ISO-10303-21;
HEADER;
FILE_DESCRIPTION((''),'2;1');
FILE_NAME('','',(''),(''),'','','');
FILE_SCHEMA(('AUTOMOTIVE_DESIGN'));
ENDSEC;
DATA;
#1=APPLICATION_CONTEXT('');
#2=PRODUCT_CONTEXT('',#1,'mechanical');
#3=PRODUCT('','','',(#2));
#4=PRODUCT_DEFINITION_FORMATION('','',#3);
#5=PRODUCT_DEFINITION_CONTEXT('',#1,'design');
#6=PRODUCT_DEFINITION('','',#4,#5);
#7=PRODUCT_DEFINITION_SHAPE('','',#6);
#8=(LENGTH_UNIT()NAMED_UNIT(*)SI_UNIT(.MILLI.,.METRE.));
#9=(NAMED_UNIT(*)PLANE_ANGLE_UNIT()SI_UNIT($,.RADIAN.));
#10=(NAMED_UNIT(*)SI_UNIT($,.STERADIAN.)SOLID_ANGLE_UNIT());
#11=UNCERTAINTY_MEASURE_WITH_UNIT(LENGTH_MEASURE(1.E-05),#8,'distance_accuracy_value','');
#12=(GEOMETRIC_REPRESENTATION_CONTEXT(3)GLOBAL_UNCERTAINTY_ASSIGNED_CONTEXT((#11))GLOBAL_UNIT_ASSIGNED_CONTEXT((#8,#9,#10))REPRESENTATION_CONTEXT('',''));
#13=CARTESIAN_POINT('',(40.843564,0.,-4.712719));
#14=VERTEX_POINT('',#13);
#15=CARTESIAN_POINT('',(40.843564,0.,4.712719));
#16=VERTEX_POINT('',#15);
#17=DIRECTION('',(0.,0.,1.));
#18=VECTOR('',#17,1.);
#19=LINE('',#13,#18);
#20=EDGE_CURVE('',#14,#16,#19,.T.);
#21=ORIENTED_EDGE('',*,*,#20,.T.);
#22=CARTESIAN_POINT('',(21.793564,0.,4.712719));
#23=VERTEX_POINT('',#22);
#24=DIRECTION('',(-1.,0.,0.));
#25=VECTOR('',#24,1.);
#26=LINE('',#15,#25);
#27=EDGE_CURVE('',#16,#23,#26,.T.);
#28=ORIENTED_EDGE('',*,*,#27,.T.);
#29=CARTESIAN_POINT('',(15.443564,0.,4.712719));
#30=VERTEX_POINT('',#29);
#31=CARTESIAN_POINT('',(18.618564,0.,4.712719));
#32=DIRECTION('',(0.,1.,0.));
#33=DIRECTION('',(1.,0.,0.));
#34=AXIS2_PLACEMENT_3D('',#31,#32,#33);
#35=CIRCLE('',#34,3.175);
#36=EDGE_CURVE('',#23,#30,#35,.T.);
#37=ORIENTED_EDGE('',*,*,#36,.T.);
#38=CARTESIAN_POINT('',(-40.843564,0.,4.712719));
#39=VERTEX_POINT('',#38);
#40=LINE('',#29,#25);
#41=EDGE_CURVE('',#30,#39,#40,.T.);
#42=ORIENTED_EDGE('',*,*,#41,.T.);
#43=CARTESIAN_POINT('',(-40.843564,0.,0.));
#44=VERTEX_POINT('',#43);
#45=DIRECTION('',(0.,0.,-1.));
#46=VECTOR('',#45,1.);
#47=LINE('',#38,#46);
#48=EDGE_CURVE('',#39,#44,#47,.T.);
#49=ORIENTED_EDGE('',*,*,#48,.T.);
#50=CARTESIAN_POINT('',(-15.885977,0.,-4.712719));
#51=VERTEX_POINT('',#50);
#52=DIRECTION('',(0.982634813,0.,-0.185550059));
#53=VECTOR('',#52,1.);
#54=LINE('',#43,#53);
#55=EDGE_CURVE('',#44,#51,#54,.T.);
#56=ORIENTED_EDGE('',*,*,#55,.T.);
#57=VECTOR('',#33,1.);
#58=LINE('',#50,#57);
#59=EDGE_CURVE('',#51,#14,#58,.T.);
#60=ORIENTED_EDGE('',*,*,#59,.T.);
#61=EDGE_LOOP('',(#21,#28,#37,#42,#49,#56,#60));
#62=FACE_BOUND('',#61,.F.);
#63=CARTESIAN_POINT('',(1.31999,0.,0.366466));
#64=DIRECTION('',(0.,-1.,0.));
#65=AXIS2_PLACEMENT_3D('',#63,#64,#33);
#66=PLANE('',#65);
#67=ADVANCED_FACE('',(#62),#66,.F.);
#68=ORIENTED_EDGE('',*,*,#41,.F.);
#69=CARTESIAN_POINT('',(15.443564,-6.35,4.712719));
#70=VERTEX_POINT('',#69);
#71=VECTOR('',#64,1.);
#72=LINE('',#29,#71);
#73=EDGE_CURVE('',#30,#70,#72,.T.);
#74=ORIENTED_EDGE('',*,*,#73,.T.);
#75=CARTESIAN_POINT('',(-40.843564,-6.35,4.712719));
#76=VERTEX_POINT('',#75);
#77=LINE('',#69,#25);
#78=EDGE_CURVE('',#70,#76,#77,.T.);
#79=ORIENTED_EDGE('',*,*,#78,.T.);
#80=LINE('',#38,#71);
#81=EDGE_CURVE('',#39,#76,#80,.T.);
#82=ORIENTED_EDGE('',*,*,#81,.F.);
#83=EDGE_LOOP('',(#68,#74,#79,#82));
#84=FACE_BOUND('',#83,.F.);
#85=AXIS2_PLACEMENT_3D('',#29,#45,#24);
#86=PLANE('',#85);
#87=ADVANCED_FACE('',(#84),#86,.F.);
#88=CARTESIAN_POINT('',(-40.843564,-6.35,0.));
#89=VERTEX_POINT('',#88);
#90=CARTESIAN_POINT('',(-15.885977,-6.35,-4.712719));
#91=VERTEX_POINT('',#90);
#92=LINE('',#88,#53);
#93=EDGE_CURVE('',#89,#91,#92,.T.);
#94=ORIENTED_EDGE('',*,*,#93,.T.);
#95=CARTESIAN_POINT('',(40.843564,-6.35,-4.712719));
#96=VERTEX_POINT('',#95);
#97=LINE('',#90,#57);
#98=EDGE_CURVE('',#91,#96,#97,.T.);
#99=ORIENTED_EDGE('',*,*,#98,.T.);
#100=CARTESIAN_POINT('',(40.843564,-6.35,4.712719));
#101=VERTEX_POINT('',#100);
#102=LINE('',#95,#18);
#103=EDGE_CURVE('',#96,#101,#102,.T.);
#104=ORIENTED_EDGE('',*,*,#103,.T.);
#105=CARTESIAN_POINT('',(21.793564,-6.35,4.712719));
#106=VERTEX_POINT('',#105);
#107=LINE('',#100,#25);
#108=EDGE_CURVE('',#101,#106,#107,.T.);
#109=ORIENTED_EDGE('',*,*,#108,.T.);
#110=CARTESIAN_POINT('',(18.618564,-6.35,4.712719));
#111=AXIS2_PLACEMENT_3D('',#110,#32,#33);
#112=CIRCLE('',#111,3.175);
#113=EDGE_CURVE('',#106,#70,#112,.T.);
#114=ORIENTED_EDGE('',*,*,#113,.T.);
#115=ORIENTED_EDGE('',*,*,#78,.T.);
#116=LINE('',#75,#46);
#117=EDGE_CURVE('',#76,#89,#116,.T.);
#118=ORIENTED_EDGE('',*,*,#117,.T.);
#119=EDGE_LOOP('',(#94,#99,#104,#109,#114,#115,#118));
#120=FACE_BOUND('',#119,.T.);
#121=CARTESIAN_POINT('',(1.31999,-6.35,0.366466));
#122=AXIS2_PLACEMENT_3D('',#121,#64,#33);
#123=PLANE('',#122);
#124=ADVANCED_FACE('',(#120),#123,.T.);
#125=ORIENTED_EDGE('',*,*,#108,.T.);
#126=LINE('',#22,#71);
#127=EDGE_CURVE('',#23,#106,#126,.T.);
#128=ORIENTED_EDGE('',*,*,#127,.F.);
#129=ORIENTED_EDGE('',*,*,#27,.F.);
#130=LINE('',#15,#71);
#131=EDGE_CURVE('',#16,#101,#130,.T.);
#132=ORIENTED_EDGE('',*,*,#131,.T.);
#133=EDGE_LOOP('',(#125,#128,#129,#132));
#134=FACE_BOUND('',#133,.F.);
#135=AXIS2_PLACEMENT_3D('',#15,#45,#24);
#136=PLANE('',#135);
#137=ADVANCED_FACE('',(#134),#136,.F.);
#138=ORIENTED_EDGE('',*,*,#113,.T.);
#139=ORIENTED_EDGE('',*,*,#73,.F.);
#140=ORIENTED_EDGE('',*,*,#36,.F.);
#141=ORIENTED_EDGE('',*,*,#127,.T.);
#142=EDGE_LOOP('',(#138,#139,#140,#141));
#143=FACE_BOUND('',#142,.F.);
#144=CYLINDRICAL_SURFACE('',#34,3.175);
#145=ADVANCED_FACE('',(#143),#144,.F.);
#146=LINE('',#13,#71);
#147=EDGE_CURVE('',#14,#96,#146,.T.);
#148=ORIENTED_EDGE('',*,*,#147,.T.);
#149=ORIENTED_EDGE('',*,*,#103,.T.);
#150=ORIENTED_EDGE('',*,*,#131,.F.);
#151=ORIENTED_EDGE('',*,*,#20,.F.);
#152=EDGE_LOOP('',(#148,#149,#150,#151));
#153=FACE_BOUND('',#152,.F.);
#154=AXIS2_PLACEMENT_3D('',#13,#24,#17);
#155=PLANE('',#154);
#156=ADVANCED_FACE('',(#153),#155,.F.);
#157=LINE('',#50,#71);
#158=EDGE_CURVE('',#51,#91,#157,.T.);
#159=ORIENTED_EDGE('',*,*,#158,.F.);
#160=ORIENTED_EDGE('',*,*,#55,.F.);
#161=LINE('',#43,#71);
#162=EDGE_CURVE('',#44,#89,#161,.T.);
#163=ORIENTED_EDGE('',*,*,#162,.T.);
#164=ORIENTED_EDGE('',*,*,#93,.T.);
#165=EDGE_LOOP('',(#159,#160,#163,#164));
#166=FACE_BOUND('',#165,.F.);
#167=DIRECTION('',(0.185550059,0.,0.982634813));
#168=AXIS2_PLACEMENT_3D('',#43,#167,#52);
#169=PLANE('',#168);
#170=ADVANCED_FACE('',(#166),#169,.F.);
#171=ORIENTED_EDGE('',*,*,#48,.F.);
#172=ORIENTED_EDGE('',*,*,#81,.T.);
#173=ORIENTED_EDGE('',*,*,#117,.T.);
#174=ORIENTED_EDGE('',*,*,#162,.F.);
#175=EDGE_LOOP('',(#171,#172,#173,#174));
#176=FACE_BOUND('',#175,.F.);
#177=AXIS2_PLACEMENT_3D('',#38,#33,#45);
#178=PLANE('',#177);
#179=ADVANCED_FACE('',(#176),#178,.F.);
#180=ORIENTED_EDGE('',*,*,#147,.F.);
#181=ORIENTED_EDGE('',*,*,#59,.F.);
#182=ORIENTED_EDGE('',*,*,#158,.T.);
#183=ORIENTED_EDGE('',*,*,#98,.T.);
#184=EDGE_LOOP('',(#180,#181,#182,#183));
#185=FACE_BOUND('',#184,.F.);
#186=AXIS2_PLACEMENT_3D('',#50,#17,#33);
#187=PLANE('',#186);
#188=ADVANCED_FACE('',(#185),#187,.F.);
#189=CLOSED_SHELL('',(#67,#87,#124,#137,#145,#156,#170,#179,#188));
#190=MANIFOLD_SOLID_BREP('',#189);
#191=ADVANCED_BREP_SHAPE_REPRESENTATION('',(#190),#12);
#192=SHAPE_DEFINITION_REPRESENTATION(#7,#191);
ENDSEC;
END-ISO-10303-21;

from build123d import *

# Parameters (mm, degrees)
F1_DEPTH = 6.35


with BuildPart() as f1:
    # F0 (on Front) → F1 (new body)
    with BuildSketch(Plane.XZ):
        with BuildLine():
            Line((15.443564, 4.712719), (-40.843564, 4.712719))
            Line((-40.843564, 4.712719), (-40.843564, 0))
            Line((-40.843564, 0), (-15.885977, -4.712719))
            Line((-15.885977, -4.712719), (40.843564, -4.712719))
            Line((40.843564, -4.712719), (40.843564, 4.712719))
            Line((40.843564, 4.712719), (21.793564, 4.712719))
            ThreePointArc((21.793564, 4.712719), (18.618564, 1.537719), (15.443564, 4.712719))
        make_face()
    extrude(amount=F1_DEPTH)


solid = f1.part
